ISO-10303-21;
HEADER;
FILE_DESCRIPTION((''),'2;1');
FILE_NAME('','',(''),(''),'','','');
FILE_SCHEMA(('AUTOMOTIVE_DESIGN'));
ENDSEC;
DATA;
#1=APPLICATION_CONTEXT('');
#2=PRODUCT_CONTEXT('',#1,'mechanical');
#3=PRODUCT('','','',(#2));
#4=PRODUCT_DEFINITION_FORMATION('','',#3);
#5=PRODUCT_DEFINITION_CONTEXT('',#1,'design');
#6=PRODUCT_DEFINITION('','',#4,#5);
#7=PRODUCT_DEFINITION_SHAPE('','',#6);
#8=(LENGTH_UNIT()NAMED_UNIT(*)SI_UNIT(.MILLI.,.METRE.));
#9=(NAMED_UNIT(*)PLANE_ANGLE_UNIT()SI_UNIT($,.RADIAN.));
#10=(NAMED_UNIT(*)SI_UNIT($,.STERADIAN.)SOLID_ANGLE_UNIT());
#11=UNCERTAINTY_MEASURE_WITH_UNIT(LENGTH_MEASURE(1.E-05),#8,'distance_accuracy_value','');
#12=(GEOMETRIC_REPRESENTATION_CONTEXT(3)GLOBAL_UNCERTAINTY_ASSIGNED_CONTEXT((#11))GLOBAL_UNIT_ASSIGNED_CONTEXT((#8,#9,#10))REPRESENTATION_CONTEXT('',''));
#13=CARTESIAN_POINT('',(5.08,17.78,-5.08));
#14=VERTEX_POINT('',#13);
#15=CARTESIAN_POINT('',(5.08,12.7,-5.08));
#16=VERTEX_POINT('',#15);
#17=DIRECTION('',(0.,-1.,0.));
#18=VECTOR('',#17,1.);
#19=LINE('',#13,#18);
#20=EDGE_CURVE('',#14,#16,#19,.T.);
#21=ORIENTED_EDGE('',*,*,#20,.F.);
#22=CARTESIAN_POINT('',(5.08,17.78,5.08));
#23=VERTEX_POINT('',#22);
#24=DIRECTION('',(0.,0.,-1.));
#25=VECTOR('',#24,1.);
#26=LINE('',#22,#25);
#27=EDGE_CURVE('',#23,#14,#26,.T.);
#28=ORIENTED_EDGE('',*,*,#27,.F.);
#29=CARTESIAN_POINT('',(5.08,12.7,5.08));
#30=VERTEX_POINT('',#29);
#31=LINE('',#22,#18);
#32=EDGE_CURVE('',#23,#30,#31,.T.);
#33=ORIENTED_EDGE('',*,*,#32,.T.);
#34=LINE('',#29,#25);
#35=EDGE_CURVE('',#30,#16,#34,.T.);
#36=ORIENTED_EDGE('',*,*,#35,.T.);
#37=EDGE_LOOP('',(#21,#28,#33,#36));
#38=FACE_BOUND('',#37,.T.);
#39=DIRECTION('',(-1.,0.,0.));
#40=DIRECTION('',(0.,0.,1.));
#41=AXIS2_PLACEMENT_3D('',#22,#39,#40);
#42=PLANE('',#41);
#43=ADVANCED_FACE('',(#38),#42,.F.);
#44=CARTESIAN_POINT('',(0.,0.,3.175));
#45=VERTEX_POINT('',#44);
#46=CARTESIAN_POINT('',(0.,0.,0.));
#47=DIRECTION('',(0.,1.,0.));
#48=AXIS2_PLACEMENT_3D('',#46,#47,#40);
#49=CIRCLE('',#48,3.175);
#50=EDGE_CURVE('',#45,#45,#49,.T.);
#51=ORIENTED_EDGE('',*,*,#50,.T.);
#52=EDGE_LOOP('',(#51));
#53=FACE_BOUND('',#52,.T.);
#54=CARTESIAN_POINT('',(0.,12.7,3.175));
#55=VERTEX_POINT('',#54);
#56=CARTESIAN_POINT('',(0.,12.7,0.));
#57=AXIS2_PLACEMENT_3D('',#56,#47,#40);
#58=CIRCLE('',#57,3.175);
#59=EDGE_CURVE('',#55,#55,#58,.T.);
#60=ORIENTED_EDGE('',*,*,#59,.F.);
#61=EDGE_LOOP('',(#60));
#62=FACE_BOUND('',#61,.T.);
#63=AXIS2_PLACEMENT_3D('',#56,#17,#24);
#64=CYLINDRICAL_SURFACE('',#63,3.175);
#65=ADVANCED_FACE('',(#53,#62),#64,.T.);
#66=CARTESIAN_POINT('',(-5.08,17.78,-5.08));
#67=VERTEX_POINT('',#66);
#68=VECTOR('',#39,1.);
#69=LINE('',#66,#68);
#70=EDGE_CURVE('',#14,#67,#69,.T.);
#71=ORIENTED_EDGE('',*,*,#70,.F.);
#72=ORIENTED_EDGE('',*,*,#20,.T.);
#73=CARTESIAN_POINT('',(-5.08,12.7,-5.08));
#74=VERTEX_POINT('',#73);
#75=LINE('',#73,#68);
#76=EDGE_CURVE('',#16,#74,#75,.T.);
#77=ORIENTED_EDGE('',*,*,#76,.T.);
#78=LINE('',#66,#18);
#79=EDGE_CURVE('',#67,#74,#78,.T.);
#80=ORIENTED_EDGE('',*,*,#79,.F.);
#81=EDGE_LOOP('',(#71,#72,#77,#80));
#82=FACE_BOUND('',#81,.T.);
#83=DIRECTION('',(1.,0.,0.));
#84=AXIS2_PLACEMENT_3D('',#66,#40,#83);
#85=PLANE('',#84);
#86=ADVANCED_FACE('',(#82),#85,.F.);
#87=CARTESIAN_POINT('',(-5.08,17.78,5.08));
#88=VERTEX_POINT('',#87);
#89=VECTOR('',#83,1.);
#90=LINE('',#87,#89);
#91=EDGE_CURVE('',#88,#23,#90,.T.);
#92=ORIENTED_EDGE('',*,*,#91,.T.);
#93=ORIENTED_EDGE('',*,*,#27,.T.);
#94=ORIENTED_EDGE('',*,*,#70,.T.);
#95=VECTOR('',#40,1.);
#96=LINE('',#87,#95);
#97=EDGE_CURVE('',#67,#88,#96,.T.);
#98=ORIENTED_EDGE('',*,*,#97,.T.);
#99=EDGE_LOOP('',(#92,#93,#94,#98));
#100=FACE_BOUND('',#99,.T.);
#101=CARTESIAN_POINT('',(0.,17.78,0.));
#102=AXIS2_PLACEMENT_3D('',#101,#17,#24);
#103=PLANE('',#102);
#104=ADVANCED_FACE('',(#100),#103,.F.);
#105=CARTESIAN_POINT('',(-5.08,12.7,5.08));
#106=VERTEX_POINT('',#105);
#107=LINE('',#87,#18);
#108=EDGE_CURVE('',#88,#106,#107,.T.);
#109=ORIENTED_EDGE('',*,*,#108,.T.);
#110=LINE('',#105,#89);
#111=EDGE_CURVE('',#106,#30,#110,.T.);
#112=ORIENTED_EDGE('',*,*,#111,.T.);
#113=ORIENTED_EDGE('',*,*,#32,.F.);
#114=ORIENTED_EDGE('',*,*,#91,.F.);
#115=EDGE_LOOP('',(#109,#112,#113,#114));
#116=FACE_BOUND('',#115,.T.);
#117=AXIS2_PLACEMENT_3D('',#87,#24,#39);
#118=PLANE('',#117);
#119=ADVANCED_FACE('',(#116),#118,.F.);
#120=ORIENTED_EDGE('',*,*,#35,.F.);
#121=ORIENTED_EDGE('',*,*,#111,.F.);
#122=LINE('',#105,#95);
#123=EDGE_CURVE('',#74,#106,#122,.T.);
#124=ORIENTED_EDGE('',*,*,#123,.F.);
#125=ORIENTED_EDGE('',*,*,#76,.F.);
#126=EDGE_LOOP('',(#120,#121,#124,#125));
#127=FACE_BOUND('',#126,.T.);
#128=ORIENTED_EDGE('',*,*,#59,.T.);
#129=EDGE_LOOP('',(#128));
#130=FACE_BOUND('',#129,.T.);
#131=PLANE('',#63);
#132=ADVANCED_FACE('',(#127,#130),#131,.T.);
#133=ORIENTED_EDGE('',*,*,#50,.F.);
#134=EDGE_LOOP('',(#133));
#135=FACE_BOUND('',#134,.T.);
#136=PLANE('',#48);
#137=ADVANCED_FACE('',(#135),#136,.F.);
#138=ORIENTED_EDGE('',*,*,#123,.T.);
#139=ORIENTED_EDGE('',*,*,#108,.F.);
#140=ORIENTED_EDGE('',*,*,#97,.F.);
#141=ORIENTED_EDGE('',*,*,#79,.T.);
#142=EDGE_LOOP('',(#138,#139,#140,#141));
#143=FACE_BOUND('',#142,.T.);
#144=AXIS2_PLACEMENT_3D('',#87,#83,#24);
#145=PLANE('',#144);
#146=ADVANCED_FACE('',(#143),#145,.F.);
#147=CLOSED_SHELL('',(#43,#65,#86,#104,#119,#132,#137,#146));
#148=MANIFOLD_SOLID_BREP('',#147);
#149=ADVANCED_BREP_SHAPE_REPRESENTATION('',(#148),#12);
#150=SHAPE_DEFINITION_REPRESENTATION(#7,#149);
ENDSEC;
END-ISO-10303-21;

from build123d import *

# Parameters (mm, degrees)
SKETCH1_R           = 3.175
BOSS_EXTRUDE1_DEPTH = 12.7
SKETCH2_W           = 10.16
SKETCH2_H           = 10.16
BOSS_EXTRUDE2_DEPTH = 5.08


with BuildPart() as part:
    # Sketch1 → Boss-Extrude1 (new body)
    with BuildSketch(Plane(origin=(0, 0, 0), x_dir=(1, 0, 0), z_dir=(0, 1, 0))):
        with Locations(Location((0, 0, 0), (0, 0, 270))):
            Circle(SKETCH1_R)
    extrude(amount=BOSS_EXTRUDE1_DEPTH)

    # Sketch2 → Boss-Extrude2 (add)
    with BuildSketch(Plane(origin=(0, 12.7, 0), x_dir=(1, 0, 0), z_dir=(0, 1, 0))):
        Rectangle(SKETCH2_W, SKETCH2_H)
    extrude(amount=BOSS_EXTRUDE2_DEPTH)


solid = part.part
